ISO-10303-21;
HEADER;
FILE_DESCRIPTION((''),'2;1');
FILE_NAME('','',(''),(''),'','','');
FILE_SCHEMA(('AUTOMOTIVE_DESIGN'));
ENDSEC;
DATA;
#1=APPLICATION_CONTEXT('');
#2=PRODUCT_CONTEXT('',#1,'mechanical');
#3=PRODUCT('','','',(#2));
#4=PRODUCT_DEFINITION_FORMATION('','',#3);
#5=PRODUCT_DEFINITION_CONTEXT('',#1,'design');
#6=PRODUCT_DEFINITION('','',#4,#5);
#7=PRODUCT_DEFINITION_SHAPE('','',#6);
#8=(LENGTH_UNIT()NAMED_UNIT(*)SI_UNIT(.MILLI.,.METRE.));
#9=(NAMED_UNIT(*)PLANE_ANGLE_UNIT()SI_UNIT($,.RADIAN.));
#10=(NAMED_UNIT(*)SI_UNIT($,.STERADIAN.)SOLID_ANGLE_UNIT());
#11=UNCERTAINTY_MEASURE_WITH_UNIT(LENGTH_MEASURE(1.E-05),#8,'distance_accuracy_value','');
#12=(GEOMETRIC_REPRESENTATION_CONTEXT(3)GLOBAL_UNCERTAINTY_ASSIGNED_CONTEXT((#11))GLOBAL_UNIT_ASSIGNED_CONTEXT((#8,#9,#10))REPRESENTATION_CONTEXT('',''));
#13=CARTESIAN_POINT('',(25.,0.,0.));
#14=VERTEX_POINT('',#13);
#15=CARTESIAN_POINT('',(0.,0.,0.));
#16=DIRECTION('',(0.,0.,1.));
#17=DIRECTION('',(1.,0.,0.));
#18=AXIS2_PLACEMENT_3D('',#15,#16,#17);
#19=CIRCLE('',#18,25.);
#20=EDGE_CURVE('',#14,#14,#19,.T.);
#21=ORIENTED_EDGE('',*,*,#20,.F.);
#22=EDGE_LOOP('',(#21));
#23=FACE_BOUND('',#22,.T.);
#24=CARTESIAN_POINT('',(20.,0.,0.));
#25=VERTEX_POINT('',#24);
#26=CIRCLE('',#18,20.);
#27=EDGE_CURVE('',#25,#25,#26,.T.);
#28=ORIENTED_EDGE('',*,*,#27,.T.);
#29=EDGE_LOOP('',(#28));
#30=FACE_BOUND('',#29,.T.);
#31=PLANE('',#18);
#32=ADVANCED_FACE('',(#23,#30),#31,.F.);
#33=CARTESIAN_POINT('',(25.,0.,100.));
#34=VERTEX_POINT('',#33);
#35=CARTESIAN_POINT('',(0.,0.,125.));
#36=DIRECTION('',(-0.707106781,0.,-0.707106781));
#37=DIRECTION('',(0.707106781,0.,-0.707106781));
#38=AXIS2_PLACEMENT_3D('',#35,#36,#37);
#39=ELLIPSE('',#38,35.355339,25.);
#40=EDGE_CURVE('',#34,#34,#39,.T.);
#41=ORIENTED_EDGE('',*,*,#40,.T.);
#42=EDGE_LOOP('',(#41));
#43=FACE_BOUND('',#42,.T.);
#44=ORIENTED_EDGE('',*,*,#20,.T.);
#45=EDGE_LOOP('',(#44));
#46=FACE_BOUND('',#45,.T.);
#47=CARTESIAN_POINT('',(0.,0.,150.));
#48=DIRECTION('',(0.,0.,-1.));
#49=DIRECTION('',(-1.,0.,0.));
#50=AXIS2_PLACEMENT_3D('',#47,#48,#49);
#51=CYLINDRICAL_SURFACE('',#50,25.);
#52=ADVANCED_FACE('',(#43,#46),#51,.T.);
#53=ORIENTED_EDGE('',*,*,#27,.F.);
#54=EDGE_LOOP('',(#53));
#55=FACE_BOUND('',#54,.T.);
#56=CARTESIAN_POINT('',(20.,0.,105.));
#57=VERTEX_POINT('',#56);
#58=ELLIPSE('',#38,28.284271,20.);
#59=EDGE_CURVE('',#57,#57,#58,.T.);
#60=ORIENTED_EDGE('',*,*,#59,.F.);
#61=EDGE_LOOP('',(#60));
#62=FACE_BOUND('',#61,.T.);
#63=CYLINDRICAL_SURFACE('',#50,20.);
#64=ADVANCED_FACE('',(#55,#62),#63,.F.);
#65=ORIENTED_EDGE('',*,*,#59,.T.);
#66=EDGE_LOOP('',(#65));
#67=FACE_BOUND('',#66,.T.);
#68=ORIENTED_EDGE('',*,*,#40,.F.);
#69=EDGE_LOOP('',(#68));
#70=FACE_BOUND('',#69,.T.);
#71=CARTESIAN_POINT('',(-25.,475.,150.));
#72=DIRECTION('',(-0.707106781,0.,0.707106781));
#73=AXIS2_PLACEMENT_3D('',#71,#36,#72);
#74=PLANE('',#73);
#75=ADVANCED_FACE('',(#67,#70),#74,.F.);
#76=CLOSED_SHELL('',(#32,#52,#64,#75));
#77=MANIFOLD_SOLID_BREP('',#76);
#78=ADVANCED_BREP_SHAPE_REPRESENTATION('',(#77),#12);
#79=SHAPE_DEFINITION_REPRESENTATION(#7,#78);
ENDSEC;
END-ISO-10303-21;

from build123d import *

# Parameters (mm, degrees)
SKETCH1_R           = 25
SKETCH1_R_2         = 20
BOSS_EXTRUDE1_DEPTH = 150
CUT_EXTRUDE1_DEPTH  = 500


with BuildPart() as part:
    # Sketch1 → Boss-Extrude1 (new body)
    with BuildSketch(Plane.XY):
        Circle(SKETCH1_R)
        Circle(SKETCH1_R_2, mode=Mode.SUBTRACT)
    extrude(amount=BOSS_EXTRUDE1_DEPTH)

    # Sketch2 → Cut-Extrude1 (cut)
    with BuildSketch(Plane(origin=(0, -25, 0), x_dir=(-1, 0, 0), z_dir=(0, -1, 0))):
        Polygon((25, -150), (-25, -100), (-25, -150), align=None)
    extrude(amount=-CUT_EXTRUDE1_DEPTH, mode=Mode.SUBTRACT)


solid = part.part
